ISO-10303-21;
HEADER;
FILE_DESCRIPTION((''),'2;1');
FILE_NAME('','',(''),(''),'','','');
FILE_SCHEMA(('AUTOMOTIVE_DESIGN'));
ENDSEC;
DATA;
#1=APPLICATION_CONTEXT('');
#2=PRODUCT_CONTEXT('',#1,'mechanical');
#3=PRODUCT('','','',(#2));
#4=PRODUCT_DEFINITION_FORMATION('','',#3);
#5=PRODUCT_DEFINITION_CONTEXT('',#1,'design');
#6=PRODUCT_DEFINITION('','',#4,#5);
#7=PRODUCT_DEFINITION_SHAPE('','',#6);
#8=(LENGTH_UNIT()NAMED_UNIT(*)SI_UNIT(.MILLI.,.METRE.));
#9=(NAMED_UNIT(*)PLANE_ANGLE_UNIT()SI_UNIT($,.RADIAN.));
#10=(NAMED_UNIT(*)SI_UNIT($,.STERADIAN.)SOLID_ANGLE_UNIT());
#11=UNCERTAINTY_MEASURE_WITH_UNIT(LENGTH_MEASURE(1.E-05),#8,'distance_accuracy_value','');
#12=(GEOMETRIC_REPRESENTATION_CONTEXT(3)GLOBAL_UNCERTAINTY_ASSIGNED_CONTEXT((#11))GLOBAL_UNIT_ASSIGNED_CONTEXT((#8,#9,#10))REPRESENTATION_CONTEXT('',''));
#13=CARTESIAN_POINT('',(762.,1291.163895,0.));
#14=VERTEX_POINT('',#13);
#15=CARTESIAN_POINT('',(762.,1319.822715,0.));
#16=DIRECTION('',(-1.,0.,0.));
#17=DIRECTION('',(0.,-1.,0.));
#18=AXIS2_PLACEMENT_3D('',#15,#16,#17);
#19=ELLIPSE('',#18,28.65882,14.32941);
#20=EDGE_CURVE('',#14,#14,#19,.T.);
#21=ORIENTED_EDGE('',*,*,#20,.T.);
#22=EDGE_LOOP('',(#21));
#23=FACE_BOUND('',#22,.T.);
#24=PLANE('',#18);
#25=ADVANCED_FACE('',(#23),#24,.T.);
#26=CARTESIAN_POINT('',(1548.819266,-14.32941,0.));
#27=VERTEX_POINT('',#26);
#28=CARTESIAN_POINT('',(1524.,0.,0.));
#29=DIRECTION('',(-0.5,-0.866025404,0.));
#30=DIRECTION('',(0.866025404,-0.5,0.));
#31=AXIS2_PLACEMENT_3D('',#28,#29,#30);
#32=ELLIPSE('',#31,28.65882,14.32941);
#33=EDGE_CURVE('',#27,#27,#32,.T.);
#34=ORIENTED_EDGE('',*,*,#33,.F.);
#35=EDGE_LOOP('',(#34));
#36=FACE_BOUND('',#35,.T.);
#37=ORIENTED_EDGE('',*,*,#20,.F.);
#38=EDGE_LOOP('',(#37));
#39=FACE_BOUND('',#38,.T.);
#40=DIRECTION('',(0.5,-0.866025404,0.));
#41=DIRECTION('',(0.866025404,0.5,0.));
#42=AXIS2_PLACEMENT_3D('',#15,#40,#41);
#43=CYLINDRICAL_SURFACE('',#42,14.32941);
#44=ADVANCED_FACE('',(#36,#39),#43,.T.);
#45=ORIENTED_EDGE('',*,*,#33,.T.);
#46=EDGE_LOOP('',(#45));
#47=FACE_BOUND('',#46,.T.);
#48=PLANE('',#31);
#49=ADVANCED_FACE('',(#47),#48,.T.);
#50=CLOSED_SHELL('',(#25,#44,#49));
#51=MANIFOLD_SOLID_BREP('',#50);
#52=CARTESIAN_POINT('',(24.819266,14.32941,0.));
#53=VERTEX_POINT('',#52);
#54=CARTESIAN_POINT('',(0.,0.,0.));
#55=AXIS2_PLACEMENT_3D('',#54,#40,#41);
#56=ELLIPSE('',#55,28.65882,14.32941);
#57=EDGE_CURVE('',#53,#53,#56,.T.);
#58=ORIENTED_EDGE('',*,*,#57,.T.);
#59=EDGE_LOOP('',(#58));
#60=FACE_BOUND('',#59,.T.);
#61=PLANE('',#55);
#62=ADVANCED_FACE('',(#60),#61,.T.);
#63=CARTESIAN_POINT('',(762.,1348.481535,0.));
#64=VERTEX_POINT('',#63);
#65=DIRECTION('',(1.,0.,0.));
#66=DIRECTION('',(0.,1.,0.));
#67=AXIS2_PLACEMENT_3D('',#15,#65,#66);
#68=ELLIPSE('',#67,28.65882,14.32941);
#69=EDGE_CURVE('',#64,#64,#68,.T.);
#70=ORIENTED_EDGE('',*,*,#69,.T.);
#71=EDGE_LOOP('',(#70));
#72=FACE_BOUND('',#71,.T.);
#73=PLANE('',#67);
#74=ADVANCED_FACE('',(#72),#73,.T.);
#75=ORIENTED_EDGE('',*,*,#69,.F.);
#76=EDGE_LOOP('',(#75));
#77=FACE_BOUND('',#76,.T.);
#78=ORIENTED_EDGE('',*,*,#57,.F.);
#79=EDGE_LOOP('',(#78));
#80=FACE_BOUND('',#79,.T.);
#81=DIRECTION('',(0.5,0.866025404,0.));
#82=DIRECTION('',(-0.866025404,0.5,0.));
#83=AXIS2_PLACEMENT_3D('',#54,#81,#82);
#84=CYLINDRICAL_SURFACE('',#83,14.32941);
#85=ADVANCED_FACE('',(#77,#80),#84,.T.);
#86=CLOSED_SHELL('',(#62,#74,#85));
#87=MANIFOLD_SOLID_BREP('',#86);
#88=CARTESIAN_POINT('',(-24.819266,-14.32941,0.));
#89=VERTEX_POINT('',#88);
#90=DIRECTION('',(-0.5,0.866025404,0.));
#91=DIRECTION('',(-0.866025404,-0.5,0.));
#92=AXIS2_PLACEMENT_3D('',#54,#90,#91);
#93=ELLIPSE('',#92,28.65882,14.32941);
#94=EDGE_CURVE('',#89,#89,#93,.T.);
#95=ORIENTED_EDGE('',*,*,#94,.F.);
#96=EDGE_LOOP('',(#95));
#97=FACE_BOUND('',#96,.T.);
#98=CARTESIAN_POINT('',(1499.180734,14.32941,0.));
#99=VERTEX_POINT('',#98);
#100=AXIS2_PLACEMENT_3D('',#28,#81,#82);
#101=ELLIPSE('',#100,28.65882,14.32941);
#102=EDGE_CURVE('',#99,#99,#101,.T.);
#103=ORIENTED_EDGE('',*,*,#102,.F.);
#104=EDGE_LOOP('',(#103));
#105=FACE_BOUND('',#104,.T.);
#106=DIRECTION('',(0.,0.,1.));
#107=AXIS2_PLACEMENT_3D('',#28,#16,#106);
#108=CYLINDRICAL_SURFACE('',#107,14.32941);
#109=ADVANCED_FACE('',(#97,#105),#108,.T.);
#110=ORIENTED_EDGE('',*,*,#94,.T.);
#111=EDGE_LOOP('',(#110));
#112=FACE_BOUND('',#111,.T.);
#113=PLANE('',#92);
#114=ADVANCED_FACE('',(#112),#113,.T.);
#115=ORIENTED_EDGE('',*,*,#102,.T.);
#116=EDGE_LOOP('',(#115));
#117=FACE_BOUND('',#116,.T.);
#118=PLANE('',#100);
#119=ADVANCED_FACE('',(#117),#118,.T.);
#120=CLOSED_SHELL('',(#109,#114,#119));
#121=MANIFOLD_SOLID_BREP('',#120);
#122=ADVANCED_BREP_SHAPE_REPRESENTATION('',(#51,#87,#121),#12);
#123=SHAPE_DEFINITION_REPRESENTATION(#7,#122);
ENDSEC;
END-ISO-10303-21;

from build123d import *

# Parameters (mm, degrees)
STRUCTURAL_MEMBER1_DEPTH      = 1560.099742815
STRUCTURAL_MEMBER1_DEPTH_BACK = 36.099742815
SKETCH11_R                    = 14.32941
SKETCH11_ON_SEGMENT_2_R       = 14.32941
STRUCTURAL_MEMBER1_2_DEPTH    = 1596.19948563
SKETCH11_ON_SEGMENT_3_R       = 14.32941
STRUCTURAL_MEMBER1_3_DEPTH    = 1596.19948563


with BuildPart() as part:
    # Sketch11 → Structural Member1 (new, two sides: drawn at the far end of the back side and taken through both)
    with BuildSketch(Plane(origin=(762, 1319.822715367, 0), x_dir=(0.8660254037844399, -0.49999999999999784, 0), z_dir=(-0.49999999999999784, -0.8660254037844399, 0)).offset(-STRUCTURAL_MEMBER1_DEPTH_BACK)):
        Circle(SKETCH11_R)
    extrude(amount=STRUCTURAL_MEMBER1_DEPTH + STRUCTURAL_MEMBER1_DEPTH_BACK)

    # Structural Member1 mitre 1
    split(bisect_by=Plane(origin=(762, 1319.822715367, 0), x_dir=(0, -1, 0), z_dir=(-1, 0, 0)), keep=Keep.TOP)

    # Structural Member1 mitre 2
    split(bisect_by=Plane(origin=(0, 0, 0), x_dir=(-0.866025404, -0.5, 0), z_dir=(-0.5, 0.866025404, 0)), keep=Keep.TOP)


with BuildPart() as body_2:
    # Sketch11 on segment 2 (carried to segment 2) → Structural Member1 2 (new body)
    with BuildSketch(Plane.YZ.offset(-36.099742815)):
        Circle(SKETCH11_ON_SEGMENT_2_R)
    extrude(amount=STRUCTURAL_MEMBER1_2_DEPTH)

    # Structural Member1 2 mitre 1
    split(bisect_by=Plane(origin=(0, 0, 0), x_dir=(0.866025404, 0.5, 0), z_dir=(0.5, -0.866025404, 0)), keep=Keep.TOP)

    # Structural Member1 2 mitre 2
    split(bisect_by=Plane(origin=(1524, 0, 0), x_dir=(0.866025404, -0.5, 0), z_dir=(-0.5, -0.866025404, 0)), keep=Keep.TOP)


with BuildPart() as body_3:
    # Sketch11 on segment 3 (carried to segment 3) → Structural Member1 3 (new body)
    with BuildSketch(Plane(origin=(1542.049871408, -31.263294348, 0), x_dir=(-0.866025404, -0.5, 0), z_dir=(-0.5, 0.866025404, 0))):
        Circle(SKETCH11_ON_SEGMENT_3_R)
    extrude(amount=STRUCTURAL_MEMBER1_3_DEPTH)

    # Structural Member1 3 mitre 1
    split(bisect_by=Plane(origin=(1524, 0, 0), x_dir=(-0.866025404, 0.5, 0), z_dir=(0.5, 0.866025404, 0)), keep=Keep.TOP)

    # Structural Member1 3 mitre 2
    split(bisect_by=Plane(origin=(762, 1319.822715367, 0), x_dir=(0, 1, 0), z_dir=(1, 0, 0)), keep=Keep.TOP)


solid = Compound([part.part, body_2.part, body_3.part])
